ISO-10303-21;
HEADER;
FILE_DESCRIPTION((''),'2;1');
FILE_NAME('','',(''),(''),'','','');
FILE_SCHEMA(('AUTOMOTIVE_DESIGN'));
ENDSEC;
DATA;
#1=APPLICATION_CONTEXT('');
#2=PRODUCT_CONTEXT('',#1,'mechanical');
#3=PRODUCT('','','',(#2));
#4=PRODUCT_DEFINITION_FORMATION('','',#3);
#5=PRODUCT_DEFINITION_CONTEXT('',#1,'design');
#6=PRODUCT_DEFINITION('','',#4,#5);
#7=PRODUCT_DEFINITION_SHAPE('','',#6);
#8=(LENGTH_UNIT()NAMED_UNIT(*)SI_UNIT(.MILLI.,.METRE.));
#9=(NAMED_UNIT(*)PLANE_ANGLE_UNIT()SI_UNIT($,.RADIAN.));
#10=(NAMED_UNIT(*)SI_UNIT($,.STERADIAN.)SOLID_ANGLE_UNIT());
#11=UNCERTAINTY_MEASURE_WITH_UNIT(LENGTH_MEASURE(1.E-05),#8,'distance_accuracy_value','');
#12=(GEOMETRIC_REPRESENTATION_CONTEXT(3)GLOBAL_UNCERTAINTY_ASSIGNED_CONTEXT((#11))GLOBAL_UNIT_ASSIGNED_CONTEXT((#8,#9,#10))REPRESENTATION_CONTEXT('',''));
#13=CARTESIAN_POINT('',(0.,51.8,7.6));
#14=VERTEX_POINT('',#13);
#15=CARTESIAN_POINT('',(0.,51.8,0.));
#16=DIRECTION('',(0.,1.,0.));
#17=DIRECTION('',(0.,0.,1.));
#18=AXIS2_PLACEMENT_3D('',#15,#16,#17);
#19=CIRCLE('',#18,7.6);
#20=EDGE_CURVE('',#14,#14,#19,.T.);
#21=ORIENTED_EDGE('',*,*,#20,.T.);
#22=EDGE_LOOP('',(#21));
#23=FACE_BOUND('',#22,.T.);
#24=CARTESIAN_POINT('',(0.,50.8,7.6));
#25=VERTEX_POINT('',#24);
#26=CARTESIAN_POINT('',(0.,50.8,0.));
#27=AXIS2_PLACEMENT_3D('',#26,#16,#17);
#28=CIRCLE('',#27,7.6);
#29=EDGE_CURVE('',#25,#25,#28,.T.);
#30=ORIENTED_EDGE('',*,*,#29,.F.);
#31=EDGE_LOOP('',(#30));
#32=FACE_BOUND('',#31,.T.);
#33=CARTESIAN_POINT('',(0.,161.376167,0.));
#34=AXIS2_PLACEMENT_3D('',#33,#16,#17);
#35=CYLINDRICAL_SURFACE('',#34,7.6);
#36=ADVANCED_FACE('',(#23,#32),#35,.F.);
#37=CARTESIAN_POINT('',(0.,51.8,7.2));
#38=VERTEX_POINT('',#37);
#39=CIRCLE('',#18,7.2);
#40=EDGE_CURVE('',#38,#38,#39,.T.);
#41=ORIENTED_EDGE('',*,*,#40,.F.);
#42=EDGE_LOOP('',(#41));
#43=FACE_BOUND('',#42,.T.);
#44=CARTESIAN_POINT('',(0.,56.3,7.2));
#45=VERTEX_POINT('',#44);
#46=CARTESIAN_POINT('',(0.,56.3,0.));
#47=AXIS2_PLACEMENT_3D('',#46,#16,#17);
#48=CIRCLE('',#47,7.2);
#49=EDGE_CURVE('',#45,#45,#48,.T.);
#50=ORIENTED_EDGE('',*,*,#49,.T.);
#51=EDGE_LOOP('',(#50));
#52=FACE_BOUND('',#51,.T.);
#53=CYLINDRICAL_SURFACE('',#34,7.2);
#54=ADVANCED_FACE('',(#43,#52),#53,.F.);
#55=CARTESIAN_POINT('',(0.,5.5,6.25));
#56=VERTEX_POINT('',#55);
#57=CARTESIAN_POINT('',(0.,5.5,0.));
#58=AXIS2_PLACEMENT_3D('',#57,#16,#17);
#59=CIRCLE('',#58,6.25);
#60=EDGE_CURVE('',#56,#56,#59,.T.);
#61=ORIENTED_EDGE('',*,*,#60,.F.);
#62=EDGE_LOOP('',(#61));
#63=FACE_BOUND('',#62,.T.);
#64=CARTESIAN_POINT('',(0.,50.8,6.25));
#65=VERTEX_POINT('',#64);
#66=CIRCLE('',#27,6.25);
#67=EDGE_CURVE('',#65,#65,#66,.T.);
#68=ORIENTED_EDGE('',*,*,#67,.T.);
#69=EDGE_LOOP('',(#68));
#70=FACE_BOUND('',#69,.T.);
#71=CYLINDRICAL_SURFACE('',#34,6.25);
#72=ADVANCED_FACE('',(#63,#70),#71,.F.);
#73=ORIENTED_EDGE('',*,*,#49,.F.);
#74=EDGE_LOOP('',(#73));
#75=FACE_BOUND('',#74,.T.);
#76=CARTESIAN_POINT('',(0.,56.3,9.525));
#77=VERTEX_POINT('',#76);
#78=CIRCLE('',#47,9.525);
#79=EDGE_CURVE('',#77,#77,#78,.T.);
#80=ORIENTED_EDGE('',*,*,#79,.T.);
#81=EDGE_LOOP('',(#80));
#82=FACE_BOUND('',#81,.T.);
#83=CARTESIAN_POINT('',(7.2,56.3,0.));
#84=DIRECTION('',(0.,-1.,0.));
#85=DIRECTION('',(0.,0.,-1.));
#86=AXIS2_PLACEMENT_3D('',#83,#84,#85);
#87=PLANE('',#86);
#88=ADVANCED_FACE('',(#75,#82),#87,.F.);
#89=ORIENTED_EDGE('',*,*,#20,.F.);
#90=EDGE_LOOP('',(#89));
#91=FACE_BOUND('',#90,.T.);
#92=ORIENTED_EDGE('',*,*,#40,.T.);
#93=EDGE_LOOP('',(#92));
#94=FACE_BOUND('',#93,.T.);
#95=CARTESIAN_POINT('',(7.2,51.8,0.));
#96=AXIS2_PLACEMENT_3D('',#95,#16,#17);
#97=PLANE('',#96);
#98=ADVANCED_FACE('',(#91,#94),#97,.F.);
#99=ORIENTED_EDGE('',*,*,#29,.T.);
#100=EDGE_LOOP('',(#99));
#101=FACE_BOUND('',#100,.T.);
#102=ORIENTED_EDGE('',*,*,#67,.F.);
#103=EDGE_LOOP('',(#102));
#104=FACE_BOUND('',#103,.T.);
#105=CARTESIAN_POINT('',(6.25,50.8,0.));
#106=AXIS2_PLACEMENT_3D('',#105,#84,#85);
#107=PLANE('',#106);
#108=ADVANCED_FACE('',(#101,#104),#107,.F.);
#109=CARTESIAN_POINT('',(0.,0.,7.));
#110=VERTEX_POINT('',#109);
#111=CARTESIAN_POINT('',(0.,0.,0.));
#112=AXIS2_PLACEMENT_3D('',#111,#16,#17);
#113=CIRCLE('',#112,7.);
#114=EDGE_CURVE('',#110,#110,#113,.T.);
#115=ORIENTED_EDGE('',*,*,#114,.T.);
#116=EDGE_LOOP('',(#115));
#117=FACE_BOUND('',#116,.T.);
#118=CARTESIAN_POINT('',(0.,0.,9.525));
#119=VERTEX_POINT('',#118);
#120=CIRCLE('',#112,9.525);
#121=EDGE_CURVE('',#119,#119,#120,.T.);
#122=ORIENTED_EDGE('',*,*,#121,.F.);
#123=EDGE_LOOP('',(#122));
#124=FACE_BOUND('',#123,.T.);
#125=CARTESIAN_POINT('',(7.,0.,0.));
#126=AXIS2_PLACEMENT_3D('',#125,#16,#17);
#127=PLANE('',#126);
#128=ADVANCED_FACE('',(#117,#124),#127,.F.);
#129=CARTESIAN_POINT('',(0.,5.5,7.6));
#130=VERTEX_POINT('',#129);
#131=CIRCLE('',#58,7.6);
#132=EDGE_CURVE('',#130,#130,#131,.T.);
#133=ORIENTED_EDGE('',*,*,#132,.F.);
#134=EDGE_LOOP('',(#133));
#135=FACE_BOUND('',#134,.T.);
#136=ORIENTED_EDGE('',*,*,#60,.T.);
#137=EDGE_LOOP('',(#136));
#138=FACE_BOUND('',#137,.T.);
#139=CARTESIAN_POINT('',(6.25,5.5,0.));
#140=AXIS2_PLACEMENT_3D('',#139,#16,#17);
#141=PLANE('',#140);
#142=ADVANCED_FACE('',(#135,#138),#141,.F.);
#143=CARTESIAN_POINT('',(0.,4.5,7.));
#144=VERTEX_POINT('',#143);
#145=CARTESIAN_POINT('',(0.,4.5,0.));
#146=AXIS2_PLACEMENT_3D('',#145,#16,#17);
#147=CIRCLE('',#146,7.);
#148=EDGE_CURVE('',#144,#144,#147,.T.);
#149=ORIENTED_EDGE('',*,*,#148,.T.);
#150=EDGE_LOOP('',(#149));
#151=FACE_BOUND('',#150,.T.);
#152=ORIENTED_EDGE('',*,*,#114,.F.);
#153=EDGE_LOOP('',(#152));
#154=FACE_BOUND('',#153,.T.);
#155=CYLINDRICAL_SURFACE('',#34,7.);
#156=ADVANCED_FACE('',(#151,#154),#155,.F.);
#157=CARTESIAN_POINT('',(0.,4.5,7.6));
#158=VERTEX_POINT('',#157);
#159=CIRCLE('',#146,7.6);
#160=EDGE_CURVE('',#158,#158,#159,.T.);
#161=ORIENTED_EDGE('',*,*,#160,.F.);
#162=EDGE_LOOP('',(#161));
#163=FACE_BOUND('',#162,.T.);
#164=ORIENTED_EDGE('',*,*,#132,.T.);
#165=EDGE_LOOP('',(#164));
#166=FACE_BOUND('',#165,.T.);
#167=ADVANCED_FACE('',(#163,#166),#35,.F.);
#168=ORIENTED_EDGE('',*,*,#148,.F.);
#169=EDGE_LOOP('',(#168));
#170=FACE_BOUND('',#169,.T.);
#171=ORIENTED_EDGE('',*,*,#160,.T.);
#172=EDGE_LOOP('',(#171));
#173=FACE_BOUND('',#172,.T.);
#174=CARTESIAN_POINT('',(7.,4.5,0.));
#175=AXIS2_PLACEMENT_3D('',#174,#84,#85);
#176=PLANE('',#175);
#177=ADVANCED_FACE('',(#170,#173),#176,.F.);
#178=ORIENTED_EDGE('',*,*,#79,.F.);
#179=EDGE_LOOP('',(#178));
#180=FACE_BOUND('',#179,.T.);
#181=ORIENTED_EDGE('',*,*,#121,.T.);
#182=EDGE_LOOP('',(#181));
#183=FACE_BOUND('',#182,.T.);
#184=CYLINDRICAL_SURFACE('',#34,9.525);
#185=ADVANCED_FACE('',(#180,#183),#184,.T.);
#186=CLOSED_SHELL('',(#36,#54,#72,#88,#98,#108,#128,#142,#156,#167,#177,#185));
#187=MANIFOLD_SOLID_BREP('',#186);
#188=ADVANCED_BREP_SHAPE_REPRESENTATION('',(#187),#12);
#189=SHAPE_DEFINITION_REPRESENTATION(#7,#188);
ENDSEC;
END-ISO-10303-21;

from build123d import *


with BuildPart() as part:
    # 草图1 → 旋转1 (revolve)
    with BuildSketch(Plane.XY, mode=Mode.PRIVATE) as revolve_1_sk:
        Polygon((7, 0), (7, 4.5), (7.6, 4.5), (7.6, 5.5), (6.25, 5.5), (6.25, 50.8), (7.6, 50.8), (7.6, 51.8), (7.2, 51.8), (7.2, 56.3), (9.525, 56.3), (9.525, 0), align=None)
    revolve(revolve_1_sk.sketch.rotate(Axis((0, 161.376166943, 0), (0, -1, 0)), 90), axis=Axis((0, 161.376166943, 0), (0, -1, 0)))  # turned: the seam where the file's is


solid = part.part
